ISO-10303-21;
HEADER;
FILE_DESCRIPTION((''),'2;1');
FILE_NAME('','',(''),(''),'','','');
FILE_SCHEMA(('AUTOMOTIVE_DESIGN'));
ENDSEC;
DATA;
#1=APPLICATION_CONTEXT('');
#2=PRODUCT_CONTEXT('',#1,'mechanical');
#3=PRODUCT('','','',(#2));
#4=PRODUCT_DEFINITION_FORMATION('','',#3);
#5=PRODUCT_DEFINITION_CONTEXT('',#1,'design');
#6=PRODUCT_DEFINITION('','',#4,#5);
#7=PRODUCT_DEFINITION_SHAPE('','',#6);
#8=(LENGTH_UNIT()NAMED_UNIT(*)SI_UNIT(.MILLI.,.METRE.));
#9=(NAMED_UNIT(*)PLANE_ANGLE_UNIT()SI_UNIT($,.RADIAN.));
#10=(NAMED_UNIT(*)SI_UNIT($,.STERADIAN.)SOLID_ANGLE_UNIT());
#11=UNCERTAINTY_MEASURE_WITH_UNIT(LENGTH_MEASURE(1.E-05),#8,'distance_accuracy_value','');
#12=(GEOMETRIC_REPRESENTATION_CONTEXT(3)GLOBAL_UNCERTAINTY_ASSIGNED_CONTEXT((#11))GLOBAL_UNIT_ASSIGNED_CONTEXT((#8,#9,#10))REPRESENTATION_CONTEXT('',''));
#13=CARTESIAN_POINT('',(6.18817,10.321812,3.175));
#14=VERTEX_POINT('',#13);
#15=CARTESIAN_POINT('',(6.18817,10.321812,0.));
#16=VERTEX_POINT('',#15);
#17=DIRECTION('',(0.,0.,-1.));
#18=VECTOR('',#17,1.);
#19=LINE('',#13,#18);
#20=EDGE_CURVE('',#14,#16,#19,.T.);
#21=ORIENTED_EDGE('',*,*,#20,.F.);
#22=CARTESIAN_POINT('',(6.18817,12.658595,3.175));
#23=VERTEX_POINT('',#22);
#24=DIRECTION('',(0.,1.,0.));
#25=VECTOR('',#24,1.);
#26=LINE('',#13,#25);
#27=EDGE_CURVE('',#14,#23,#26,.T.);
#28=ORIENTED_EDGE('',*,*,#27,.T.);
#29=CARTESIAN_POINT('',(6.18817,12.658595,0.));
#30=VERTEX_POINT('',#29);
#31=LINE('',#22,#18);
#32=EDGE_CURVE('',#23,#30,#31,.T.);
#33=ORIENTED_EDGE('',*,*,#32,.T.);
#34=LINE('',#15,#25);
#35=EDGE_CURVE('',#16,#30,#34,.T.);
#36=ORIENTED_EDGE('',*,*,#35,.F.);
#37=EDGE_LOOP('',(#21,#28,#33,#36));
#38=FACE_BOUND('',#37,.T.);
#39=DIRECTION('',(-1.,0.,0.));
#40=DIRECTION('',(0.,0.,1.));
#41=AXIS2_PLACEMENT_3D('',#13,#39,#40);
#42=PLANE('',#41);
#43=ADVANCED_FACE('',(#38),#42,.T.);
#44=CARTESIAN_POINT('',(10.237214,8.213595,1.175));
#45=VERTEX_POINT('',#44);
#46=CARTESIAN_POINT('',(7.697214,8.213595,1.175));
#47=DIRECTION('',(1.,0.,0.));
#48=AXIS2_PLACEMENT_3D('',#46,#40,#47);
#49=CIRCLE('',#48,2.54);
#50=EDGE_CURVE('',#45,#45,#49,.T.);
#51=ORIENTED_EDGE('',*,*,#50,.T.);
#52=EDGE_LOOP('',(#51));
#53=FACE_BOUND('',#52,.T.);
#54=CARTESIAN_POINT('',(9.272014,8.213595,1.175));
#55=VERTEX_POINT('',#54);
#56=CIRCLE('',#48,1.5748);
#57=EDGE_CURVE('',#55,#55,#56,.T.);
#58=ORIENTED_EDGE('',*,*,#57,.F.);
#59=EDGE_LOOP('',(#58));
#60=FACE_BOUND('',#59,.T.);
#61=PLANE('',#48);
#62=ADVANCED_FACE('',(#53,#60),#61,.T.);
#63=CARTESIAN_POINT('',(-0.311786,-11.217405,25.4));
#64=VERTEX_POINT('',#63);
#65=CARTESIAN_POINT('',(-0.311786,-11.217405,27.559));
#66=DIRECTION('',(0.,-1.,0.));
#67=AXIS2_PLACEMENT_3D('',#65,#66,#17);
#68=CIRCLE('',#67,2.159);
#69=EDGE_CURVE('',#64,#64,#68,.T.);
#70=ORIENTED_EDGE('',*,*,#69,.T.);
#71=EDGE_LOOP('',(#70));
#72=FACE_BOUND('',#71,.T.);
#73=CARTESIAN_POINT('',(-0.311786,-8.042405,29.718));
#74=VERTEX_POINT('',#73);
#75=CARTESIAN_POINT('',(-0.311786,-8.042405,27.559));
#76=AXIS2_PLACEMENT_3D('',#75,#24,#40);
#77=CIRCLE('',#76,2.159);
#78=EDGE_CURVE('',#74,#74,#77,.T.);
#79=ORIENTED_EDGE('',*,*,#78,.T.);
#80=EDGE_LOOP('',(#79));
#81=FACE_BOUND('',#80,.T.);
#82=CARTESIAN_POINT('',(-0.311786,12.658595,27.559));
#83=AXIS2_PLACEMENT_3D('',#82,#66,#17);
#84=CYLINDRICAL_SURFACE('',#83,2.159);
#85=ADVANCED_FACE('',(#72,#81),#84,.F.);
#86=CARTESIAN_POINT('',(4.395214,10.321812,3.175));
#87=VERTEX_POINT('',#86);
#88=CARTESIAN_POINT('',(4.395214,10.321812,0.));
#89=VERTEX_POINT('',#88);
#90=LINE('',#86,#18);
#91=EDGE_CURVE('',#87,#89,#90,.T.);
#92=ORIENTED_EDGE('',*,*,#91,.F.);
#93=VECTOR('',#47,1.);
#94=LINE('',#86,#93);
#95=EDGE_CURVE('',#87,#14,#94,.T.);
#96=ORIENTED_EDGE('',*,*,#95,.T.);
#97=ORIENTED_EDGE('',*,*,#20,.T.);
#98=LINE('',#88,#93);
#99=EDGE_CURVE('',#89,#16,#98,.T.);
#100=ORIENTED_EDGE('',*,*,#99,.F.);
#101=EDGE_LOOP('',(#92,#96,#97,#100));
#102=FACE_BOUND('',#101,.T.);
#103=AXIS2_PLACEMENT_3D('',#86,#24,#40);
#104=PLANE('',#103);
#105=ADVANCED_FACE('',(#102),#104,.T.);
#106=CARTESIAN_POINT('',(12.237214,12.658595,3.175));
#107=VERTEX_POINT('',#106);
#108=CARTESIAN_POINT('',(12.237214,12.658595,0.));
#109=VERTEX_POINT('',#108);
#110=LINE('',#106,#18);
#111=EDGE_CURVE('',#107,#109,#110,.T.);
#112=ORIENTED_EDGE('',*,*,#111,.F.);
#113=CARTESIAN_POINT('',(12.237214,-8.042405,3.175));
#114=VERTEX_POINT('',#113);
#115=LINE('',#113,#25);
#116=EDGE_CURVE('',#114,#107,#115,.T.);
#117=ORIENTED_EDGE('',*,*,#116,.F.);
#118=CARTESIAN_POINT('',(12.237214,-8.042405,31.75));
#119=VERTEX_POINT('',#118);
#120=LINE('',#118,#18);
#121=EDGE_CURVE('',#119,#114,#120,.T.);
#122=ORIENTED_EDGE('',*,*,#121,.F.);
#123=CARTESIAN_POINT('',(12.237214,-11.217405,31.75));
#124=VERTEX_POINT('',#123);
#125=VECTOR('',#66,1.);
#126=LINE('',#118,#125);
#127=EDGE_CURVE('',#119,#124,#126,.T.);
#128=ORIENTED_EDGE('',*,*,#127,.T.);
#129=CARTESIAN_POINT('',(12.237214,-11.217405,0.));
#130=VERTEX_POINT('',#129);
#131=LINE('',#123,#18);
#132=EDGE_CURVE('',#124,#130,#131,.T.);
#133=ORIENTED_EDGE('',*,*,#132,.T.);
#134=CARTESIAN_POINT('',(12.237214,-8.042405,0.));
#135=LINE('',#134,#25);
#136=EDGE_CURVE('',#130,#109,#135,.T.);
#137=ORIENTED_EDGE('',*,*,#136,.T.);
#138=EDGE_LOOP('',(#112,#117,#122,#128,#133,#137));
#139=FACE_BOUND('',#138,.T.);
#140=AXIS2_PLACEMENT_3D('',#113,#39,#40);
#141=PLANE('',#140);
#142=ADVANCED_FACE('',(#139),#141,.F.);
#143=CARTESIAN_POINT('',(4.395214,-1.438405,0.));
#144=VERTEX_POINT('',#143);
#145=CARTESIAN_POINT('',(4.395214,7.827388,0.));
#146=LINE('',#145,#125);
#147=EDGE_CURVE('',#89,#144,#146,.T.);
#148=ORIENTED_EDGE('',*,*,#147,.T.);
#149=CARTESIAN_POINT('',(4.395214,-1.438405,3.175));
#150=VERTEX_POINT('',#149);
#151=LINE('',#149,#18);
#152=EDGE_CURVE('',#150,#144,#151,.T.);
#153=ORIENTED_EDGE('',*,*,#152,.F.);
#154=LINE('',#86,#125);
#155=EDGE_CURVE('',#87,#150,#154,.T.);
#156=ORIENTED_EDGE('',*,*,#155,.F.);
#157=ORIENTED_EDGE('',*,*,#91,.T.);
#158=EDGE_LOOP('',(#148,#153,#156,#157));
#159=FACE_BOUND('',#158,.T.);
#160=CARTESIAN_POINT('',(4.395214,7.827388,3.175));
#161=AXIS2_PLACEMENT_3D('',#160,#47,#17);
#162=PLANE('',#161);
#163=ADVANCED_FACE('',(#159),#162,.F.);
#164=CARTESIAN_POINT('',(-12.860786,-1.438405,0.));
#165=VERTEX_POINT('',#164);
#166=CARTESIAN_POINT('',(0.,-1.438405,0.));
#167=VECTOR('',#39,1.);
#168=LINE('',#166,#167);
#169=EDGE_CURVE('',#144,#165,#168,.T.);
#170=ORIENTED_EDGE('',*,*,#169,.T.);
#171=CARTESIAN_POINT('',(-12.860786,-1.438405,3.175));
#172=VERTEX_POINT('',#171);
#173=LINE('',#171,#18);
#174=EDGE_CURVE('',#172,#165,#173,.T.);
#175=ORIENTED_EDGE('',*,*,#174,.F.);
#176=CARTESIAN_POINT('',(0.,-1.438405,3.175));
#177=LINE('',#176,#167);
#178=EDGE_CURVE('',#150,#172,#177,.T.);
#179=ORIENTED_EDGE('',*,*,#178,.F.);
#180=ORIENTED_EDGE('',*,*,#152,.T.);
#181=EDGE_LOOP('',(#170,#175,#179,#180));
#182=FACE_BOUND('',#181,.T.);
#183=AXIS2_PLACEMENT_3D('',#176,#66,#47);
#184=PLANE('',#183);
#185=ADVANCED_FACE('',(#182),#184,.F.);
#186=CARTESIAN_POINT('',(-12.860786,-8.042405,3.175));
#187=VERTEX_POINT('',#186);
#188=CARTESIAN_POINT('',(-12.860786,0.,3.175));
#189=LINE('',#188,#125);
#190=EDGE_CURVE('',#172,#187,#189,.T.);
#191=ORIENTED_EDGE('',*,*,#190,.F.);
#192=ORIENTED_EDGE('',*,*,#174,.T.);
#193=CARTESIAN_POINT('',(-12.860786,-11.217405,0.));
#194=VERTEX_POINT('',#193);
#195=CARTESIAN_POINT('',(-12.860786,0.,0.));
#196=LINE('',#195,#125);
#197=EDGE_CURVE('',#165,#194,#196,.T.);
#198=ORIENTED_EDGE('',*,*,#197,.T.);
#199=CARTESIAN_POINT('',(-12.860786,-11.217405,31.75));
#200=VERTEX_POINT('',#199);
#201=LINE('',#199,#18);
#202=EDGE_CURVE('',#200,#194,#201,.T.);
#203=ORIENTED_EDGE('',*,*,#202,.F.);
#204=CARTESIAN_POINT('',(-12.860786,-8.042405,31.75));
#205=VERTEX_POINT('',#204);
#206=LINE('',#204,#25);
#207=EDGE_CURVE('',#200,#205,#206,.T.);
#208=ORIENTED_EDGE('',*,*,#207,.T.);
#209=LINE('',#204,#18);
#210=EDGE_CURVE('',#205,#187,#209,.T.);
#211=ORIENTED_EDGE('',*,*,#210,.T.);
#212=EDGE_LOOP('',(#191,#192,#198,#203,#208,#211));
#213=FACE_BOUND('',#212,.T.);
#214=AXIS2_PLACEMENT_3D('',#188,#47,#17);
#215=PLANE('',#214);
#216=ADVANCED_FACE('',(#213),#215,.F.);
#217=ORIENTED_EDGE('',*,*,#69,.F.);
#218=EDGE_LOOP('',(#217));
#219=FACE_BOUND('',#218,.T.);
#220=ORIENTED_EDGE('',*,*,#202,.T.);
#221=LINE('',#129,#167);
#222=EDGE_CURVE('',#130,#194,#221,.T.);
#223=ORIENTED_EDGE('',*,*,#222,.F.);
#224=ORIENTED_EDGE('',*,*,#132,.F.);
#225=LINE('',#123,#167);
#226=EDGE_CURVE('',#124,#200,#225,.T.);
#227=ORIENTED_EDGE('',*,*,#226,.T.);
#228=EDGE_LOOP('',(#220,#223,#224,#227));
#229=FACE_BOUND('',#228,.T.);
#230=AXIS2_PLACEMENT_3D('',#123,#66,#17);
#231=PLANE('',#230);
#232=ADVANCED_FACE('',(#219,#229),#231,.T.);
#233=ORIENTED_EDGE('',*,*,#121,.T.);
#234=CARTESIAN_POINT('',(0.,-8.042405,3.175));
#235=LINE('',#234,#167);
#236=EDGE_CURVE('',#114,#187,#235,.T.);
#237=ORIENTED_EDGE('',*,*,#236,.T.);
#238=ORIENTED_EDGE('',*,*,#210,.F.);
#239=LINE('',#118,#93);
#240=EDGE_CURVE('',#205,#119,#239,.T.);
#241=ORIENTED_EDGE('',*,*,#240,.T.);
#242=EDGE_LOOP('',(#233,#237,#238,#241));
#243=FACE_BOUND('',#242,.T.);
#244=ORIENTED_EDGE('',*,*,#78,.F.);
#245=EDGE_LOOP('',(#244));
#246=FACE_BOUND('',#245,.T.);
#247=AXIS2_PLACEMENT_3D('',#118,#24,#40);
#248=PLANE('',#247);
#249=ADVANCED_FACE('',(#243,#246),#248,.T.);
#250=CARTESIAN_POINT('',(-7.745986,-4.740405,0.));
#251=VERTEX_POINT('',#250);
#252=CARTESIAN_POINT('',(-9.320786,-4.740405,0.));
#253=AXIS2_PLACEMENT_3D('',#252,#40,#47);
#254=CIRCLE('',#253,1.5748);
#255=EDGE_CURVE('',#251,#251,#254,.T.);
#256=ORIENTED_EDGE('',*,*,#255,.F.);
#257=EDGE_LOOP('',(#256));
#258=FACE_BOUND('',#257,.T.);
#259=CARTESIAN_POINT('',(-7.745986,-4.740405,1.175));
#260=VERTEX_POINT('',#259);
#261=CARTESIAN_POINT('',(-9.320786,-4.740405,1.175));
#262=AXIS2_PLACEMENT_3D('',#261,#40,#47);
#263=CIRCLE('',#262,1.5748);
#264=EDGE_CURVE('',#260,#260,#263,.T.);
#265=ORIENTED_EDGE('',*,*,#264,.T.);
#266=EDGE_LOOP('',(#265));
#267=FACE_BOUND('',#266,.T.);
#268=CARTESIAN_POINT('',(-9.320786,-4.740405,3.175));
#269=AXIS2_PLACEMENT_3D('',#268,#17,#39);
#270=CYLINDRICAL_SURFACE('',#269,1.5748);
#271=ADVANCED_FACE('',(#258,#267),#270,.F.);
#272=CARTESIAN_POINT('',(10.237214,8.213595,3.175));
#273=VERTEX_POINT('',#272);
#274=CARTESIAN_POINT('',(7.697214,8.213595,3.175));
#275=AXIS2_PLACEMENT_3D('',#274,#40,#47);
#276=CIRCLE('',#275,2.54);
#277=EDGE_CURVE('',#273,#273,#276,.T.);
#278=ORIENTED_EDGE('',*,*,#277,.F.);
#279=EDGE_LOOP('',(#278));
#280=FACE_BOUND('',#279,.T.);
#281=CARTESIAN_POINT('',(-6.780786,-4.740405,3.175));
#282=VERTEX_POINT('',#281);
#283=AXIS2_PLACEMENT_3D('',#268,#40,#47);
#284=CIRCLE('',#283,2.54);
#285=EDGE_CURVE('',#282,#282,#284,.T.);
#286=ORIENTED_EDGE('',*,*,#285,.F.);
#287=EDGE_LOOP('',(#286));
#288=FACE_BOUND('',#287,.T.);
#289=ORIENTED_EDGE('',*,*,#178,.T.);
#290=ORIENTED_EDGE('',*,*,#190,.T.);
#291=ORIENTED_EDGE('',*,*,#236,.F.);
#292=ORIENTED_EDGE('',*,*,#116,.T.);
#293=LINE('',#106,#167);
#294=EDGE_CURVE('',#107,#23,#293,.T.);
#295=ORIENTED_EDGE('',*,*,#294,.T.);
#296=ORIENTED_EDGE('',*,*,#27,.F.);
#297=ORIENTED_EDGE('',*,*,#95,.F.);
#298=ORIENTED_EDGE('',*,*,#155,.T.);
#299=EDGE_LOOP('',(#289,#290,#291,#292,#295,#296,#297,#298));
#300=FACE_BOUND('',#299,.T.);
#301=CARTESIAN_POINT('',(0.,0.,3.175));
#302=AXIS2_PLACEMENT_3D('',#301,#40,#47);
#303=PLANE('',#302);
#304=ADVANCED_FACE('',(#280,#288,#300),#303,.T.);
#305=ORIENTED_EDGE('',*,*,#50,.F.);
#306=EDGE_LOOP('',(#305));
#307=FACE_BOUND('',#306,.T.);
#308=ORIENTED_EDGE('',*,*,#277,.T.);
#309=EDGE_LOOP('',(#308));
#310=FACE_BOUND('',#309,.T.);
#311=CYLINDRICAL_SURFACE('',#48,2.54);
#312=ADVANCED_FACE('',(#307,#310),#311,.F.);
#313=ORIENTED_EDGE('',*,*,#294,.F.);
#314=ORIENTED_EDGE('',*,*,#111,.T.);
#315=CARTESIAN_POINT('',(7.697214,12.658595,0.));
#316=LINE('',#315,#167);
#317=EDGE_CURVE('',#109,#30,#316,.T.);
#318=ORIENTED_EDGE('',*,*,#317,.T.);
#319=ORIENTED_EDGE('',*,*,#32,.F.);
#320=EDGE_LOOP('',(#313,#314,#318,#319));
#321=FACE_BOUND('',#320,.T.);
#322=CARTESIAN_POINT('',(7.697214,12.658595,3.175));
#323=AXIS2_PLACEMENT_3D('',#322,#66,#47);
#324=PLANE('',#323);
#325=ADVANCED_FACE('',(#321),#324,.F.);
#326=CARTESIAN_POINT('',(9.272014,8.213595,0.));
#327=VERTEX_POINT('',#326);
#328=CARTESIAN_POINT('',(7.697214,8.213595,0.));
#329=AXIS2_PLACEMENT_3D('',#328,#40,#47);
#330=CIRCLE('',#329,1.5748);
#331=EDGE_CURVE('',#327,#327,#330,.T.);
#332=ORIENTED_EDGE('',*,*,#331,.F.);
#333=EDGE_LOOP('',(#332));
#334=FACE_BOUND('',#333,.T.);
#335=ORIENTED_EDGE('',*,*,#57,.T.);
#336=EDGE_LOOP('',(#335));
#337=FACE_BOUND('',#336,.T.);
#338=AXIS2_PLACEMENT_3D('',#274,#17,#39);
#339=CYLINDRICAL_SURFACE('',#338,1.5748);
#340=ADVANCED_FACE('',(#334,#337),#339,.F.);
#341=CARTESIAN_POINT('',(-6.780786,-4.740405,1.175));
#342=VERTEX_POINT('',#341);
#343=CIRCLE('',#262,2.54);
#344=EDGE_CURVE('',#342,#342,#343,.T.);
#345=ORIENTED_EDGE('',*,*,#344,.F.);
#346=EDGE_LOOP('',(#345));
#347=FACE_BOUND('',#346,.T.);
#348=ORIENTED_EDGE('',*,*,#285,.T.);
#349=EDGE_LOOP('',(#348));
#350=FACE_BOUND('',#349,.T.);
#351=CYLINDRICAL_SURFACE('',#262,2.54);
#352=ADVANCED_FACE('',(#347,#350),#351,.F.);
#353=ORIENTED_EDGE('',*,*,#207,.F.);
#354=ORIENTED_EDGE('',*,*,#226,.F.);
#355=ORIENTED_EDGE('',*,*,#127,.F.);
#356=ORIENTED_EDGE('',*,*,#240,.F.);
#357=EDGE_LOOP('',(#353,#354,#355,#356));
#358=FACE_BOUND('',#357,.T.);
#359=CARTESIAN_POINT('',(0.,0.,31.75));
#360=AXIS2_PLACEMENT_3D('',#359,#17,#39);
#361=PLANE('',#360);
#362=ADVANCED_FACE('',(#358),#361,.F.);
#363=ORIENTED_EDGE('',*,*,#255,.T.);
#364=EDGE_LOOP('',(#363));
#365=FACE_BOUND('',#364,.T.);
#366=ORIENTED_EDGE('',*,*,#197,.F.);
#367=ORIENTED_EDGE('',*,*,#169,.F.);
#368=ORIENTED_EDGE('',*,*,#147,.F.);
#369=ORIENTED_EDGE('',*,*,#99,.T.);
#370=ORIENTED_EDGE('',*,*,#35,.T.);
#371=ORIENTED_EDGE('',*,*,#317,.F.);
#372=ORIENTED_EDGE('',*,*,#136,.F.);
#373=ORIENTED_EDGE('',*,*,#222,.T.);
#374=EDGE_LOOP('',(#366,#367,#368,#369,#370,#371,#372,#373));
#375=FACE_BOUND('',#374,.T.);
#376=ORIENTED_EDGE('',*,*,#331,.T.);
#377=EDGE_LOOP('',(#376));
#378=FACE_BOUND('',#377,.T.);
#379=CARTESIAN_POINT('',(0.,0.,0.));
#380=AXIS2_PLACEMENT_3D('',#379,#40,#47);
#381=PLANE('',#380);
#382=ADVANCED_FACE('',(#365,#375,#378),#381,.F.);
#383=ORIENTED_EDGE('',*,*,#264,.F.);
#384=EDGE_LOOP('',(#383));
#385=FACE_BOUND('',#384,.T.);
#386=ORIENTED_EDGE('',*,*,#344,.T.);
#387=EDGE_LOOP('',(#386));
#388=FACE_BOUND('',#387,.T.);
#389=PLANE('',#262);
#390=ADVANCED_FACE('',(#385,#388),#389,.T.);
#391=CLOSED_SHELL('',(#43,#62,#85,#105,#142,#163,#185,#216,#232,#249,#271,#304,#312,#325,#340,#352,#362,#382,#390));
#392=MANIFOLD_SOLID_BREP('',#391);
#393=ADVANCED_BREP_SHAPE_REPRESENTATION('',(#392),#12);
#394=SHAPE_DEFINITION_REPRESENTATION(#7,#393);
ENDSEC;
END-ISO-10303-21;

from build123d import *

# Parameters (mm, degrees)
SKETCH2_R           = 1.5748
SKETCH2_W           = 1
SKETCH2_H           = 6.604
BOSS_EXTRUDE1_DEPTH = 3.175
SKETCH3_W           = 25.098
SKETCH3_H           = 3.175
BOSS_EXTRUDE3_DEPTH = 31.75
SKETCH4_R           = 2.159
CUT_EXTRUDE1_DEPTH  = 42.7555469
SKETCH5_R           = 2.54
CUT_EXTRUDE2_DEPTH  = 2


with BuildPart() as part:
    # Sketch2 → Boss-Extrude1 (new body)
    # profile 1 of 2: a face of its own
    with BuildSketch(Plane.XY):
        Polygon((4.395213829, 10.321811953), (4.395213829, 7.827388121), (4.395213829, -1.438404904), (-11.860786171, -1.438404904), (-11.860786171, -8.042404904), (12.237213829, -8.042404904), (12.237213829, 12.658595096), (7.697213829, 12.658595096), (6.188170382, 12.658595096), (6.188170382, 10.321811953), align=None)
        with Locations((-9.320786171, -4.740404904)):
            Circle(SKETCH2_R, mode=Mode.SUBTRACT)
        with Locations((7.697213829, 8.213595096)):
            Circle(SKETCH2_R, mode=Mode.SUBTRACT)
    # profile 2 of 2: a face of its own
    with BuildSketch(Plane.XY):
        with Locations((-12.360786171, -4.740404904)):
            Rectangle(SKETCH2_W, SKETCH2_H)
    extrude(amount=BOSS_EXTRUDE1_DEPTH)

    # Sketch3 → Boss-Extrude3 (add)
    with BuildSketch(Plane(origin=(0, 0, 0), x_dir=(-1, 0, 0), z_dir=(0, 0, -1))):
        with Locations((0.311786171, -9.629904904)):
            Rectangle(SKETCH3_W, SKETCH3_H)
    extrude(amount=-BOSS_EXTRUDE3_DEPTH)

    # Sketch4 → Cut-Extrude1 (cut, through all)
    with BuildSketch(Plane.XZ.offset(11.217404904)):
        with Locations(Location((-0.311786171, 27.559, 0), (0, 0, 270))):
            Circle(SKETCH4_R)
    extrude(amount=-CUT_EXTRUDE1_DEPTH, mode=Mode.SUBTRACT)

    # Sketch5 → Cut-Extrude2 (cut)
    with BuildSketch(Plane.XY.offset(3.175)):
        with Locations((7.697213829, 8.213595096)):
            Circle(SKETCH5_R)
        with Locations((-9.320786171, -4.740404904)):
            Circle(SKETCH5_R)
    extrude(amount=-CUT_EXTRUDE2_DEPTH, mode=Mode.SUBTRACT)


solid = part.part
